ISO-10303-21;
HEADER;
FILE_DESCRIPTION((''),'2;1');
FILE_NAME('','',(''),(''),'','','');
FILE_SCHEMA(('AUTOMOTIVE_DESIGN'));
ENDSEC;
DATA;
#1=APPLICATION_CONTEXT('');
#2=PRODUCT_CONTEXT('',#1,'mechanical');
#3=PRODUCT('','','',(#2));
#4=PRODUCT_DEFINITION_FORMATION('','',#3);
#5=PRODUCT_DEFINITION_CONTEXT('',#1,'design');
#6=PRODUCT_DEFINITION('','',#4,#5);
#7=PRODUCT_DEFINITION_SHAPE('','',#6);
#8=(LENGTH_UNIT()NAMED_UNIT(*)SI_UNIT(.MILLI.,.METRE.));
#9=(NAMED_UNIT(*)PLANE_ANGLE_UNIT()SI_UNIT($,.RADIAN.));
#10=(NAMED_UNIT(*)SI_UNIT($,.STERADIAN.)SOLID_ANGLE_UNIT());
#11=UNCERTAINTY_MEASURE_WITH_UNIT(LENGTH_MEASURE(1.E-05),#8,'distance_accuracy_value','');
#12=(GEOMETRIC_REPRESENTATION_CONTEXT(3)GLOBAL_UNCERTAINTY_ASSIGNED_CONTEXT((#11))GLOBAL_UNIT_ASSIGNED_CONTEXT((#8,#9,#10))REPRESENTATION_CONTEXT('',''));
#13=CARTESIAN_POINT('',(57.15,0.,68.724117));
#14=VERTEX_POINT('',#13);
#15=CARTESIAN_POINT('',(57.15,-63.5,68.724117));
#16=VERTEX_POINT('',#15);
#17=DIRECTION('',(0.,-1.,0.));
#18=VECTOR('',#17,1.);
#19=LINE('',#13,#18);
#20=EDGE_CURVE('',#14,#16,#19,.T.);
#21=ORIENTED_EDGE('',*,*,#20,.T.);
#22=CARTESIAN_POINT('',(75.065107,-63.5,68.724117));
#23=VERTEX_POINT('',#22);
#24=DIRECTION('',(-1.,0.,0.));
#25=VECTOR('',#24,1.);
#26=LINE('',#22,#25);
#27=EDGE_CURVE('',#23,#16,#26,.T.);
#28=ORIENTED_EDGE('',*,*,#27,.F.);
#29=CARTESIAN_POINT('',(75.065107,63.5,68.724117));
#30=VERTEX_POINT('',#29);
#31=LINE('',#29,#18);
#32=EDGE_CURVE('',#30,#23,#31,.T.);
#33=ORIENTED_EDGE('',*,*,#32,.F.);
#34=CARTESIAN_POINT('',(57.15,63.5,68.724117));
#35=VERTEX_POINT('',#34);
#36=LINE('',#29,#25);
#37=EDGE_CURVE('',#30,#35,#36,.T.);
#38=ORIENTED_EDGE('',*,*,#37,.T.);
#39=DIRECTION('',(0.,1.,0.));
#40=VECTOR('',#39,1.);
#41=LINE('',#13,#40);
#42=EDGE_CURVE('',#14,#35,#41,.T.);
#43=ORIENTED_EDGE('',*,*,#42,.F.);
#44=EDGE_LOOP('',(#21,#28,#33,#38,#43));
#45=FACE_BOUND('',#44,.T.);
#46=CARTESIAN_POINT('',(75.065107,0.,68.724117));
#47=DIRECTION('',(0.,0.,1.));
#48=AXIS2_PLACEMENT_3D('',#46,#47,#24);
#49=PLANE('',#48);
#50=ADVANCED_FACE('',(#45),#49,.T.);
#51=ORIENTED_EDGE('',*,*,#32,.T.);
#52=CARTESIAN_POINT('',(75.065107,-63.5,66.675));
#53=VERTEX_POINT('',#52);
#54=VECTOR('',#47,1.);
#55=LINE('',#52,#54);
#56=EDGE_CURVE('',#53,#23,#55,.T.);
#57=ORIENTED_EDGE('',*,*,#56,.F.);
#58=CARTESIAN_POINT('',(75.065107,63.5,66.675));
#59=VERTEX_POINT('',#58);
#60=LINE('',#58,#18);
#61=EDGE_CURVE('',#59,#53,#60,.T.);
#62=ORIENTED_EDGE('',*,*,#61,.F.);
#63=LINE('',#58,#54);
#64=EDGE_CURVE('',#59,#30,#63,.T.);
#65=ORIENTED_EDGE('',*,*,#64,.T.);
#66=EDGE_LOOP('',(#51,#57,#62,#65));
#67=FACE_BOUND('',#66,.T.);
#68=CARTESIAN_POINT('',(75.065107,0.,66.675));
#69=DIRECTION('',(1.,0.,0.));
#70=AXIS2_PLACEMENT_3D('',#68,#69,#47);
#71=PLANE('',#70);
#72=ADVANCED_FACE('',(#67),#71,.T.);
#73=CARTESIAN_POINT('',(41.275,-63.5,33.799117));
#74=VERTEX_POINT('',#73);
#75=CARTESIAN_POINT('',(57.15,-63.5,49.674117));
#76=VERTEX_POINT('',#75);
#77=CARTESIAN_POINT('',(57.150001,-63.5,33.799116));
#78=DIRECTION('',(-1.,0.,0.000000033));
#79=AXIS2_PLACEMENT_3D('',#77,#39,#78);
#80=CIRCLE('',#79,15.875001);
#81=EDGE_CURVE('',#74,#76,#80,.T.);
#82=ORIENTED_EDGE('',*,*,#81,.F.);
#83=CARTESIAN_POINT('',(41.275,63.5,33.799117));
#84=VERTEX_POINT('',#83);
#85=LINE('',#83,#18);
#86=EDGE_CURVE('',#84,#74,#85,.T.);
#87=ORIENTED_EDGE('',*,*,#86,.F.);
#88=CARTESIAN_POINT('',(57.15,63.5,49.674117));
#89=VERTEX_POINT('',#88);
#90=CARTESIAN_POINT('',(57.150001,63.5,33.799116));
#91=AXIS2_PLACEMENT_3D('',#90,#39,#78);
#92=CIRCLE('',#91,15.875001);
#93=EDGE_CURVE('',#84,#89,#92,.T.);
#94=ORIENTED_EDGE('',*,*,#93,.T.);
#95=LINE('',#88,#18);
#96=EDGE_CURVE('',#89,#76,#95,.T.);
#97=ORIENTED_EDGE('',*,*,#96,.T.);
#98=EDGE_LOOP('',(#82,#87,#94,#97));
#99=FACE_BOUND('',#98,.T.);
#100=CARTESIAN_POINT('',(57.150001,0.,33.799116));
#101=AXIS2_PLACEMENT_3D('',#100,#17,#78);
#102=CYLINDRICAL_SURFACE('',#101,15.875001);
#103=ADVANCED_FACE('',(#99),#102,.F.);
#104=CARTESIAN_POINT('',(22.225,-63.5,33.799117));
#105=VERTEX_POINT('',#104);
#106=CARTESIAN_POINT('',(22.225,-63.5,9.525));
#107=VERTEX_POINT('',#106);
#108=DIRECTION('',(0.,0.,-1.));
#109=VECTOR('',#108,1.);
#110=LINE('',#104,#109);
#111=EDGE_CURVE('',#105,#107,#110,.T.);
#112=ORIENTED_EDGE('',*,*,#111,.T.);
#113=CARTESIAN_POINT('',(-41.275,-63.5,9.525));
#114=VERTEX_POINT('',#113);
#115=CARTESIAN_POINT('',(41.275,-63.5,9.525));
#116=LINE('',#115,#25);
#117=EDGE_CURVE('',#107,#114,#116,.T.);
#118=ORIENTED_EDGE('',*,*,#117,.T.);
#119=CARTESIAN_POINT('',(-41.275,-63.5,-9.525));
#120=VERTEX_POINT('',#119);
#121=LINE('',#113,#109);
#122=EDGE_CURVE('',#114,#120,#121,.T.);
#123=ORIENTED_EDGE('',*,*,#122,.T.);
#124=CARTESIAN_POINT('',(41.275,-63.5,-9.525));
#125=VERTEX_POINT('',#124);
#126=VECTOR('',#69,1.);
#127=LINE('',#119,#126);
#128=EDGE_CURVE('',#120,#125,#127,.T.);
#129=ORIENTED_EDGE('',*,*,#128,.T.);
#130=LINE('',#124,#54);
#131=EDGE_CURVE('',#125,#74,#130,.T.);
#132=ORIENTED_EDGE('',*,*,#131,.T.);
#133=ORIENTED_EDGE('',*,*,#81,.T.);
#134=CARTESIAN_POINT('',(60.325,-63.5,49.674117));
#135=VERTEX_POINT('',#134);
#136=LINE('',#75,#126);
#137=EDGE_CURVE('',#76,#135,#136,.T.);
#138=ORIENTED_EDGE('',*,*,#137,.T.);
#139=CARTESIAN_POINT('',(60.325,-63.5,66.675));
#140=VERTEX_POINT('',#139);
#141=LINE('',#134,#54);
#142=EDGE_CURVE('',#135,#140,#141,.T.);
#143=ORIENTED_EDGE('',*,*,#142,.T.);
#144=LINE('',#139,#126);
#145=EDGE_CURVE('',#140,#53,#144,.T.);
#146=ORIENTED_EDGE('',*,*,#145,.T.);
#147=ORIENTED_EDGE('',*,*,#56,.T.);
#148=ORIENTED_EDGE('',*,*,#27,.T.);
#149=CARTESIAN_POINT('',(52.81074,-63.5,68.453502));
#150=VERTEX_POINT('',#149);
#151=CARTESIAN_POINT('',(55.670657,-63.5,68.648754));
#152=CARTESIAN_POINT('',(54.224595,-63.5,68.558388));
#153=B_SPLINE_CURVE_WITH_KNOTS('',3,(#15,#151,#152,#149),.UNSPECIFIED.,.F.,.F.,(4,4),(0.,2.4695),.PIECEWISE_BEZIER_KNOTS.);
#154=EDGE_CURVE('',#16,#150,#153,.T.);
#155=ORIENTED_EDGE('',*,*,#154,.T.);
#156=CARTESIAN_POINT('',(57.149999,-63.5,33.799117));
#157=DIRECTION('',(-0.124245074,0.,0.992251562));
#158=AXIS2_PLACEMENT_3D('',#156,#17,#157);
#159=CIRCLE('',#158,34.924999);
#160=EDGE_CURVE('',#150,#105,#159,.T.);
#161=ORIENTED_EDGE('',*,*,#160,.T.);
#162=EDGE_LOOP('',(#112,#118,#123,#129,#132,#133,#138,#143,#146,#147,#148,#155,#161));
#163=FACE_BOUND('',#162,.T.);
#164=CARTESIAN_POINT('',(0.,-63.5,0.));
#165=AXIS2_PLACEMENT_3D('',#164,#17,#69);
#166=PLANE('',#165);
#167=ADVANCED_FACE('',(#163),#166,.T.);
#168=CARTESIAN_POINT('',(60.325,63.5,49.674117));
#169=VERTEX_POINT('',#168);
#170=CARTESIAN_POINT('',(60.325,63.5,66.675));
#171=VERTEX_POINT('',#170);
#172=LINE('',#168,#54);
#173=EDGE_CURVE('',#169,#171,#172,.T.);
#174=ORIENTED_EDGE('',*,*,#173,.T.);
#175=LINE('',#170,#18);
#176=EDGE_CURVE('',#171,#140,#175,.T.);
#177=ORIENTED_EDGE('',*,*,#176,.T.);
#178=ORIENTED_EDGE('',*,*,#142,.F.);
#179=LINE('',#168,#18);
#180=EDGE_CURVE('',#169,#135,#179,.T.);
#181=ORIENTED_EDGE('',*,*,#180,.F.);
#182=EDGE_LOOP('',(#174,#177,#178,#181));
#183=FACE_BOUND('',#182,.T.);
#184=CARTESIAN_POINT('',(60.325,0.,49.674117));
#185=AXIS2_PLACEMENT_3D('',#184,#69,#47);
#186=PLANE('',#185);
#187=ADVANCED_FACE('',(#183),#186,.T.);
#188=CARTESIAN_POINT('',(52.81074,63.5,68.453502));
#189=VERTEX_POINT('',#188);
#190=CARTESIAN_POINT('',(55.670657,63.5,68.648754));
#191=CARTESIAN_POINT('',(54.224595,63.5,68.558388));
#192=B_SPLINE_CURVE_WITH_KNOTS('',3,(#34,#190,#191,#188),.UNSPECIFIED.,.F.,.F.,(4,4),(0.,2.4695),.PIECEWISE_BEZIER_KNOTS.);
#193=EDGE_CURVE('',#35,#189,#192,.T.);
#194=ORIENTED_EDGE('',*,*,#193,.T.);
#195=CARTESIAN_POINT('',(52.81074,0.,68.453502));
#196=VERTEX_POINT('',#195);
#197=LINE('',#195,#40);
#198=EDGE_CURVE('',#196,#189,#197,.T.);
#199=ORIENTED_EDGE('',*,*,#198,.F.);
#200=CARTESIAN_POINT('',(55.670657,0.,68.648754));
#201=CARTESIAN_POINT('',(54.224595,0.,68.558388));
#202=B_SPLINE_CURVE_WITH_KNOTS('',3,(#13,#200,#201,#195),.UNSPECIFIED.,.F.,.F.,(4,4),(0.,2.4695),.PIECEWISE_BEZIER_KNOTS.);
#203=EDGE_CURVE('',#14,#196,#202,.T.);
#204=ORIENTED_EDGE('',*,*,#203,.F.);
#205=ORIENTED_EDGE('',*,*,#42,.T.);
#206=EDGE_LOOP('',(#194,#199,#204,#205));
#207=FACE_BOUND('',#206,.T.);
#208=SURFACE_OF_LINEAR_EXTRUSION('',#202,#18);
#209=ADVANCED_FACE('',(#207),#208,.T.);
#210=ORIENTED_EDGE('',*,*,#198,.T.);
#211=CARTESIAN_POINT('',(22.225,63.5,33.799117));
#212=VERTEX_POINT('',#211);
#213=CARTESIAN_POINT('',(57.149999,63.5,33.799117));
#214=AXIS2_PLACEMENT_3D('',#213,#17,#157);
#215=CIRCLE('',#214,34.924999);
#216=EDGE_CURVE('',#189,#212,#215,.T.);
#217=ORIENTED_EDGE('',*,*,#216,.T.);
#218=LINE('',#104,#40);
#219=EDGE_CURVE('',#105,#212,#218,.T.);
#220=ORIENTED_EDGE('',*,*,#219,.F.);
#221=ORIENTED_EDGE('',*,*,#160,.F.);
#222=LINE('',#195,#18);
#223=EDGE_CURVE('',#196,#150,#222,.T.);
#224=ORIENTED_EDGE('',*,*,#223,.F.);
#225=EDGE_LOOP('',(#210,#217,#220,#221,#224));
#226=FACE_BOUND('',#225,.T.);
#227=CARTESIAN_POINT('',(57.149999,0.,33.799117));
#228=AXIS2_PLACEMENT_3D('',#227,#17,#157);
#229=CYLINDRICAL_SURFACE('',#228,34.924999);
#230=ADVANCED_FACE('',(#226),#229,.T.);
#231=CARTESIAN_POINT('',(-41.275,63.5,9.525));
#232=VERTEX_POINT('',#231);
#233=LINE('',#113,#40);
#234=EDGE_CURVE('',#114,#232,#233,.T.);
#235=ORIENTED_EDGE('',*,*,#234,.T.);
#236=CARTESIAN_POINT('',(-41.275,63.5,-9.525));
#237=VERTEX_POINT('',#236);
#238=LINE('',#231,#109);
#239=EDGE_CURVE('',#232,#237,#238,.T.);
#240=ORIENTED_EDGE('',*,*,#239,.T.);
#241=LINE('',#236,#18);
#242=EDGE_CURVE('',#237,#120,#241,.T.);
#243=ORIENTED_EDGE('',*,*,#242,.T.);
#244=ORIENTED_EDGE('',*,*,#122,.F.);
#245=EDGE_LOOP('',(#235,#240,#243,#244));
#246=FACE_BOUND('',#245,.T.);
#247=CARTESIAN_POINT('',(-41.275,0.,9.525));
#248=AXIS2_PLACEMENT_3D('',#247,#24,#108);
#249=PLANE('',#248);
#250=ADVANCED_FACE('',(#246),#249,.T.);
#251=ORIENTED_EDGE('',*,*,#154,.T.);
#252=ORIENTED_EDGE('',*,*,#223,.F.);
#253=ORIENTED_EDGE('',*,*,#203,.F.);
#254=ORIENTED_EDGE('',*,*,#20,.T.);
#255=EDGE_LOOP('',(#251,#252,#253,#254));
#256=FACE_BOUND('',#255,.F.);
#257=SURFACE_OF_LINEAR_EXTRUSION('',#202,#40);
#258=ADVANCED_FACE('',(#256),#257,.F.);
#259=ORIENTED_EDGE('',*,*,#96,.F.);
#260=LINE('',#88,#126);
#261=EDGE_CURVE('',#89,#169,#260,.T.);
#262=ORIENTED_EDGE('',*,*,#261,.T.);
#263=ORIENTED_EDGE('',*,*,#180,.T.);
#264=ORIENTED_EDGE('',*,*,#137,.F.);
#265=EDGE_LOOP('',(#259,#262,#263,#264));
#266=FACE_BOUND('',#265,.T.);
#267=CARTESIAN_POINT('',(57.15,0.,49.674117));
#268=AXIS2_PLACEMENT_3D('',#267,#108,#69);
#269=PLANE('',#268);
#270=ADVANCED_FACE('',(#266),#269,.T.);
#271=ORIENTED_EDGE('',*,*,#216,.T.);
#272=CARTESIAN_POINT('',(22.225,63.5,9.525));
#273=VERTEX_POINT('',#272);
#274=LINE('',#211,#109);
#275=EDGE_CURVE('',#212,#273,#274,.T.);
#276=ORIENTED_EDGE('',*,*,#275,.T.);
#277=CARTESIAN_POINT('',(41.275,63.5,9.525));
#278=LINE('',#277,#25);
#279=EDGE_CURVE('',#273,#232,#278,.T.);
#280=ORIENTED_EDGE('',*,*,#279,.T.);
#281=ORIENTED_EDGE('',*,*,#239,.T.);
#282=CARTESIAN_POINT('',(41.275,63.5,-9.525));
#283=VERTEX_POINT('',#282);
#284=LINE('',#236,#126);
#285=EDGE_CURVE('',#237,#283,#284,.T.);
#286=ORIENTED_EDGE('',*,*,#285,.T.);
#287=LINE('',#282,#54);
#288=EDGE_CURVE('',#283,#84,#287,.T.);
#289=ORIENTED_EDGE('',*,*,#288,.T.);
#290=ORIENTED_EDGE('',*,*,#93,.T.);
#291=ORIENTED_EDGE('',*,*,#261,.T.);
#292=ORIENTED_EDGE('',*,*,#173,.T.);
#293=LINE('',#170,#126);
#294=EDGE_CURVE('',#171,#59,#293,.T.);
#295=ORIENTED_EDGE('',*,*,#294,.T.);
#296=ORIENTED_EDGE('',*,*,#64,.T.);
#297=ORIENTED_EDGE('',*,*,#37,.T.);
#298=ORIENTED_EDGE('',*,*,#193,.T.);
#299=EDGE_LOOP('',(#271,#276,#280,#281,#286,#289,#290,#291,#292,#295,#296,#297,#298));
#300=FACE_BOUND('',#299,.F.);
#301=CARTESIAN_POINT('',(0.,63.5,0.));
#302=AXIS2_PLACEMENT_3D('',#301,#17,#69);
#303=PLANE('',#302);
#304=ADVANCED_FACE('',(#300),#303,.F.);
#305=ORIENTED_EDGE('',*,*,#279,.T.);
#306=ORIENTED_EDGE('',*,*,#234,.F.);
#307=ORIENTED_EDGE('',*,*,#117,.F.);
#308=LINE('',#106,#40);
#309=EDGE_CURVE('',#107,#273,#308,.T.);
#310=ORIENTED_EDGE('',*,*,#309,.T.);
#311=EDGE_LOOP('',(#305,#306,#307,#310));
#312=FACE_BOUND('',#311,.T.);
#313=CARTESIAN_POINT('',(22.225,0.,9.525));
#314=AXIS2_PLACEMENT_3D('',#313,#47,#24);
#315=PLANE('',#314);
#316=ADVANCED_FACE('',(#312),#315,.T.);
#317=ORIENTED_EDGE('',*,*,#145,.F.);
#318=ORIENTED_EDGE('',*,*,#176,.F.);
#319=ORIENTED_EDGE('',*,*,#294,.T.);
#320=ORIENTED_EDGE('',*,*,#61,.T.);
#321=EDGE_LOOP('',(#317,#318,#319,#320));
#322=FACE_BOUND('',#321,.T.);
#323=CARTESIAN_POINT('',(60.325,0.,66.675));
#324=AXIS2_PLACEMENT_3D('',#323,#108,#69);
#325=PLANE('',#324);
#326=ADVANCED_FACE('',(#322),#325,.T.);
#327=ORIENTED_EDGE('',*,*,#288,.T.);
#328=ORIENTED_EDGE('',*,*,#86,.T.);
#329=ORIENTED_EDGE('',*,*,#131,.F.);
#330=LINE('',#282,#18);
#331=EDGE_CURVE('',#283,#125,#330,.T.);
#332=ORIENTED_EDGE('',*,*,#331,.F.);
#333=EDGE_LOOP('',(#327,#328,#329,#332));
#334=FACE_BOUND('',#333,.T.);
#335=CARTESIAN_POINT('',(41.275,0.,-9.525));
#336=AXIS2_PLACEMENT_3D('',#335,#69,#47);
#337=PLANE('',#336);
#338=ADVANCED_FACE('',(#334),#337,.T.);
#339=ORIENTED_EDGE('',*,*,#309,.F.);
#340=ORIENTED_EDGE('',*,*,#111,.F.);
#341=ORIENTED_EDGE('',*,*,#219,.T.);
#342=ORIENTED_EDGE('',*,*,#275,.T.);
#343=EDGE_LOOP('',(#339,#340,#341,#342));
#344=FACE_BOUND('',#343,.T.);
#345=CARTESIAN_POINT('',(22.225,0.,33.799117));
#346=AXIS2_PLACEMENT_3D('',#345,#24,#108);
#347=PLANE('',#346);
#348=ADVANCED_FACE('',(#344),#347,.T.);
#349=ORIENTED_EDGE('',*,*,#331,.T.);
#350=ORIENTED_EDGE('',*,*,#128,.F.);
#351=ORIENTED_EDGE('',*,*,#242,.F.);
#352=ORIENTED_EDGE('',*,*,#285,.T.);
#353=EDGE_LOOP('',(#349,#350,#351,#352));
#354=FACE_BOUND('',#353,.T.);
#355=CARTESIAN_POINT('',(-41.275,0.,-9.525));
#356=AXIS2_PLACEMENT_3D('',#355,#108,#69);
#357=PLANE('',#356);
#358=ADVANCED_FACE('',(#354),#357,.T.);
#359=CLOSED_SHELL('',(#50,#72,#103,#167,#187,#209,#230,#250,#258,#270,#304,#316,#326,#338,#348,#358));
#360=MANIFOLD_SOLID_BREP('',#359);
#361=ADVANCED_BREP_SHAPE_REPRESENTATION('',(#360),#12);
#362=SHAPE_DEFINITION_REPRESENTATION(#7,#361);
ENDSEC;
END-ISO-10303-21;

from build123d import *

# Parameters (mm, degrees)
F1_DEPTH = 63.5


with BuildPart() as f1:
    # F0 (on Front) → F1 (new body, symmetric)
    with BuildSketch(Plane.XZ):
        Polygon((-41.275, 9.525), (-41.275, -9.525), (41.275, -9.525), (41.275, 9.525), (22.225, 9.525), align=None)
        with BuildLine():
            Line((22.225, 9.525), (41.275, 9.525))
            Line((41.275, 9.525), (41.275, 33.799117))
            ThreePointArc((41.275, 33.799117), (45.92468, 45.024437), (57.15, 49.674117))
            Line((57.15, 49.674117), (60.325, 49.674117))
            Line((60.325, 49.674117), (60.325, 66.675))
            Line((60.325, 66.675), (75.065107, 66.675))
            Line((75.065107, 66.675), (75.065107, 68.724117))
            Line((75.065107, 68.724117), (57.15, 68.724117))
            add(Edge.make_bspline(
                [(57.15, 68.724117), (55.670657, 68.648754), (54.224595, 68.558388), (52.81074, 68.453502)],
                knots=[0, 0, 0, 0, 2.4695, 2.4695, 2.4695, 2.4695], degree=3))
            ThreePointArc((52.81074, 68.453502), (30.96504, 56.909796), (22.225, 33.799117))
            Line((22.225, 33.799117), (22.225, 9.525))
        make_face()
    extrude(amount=F1_DEPTH, both=True)


solid = f1.part
